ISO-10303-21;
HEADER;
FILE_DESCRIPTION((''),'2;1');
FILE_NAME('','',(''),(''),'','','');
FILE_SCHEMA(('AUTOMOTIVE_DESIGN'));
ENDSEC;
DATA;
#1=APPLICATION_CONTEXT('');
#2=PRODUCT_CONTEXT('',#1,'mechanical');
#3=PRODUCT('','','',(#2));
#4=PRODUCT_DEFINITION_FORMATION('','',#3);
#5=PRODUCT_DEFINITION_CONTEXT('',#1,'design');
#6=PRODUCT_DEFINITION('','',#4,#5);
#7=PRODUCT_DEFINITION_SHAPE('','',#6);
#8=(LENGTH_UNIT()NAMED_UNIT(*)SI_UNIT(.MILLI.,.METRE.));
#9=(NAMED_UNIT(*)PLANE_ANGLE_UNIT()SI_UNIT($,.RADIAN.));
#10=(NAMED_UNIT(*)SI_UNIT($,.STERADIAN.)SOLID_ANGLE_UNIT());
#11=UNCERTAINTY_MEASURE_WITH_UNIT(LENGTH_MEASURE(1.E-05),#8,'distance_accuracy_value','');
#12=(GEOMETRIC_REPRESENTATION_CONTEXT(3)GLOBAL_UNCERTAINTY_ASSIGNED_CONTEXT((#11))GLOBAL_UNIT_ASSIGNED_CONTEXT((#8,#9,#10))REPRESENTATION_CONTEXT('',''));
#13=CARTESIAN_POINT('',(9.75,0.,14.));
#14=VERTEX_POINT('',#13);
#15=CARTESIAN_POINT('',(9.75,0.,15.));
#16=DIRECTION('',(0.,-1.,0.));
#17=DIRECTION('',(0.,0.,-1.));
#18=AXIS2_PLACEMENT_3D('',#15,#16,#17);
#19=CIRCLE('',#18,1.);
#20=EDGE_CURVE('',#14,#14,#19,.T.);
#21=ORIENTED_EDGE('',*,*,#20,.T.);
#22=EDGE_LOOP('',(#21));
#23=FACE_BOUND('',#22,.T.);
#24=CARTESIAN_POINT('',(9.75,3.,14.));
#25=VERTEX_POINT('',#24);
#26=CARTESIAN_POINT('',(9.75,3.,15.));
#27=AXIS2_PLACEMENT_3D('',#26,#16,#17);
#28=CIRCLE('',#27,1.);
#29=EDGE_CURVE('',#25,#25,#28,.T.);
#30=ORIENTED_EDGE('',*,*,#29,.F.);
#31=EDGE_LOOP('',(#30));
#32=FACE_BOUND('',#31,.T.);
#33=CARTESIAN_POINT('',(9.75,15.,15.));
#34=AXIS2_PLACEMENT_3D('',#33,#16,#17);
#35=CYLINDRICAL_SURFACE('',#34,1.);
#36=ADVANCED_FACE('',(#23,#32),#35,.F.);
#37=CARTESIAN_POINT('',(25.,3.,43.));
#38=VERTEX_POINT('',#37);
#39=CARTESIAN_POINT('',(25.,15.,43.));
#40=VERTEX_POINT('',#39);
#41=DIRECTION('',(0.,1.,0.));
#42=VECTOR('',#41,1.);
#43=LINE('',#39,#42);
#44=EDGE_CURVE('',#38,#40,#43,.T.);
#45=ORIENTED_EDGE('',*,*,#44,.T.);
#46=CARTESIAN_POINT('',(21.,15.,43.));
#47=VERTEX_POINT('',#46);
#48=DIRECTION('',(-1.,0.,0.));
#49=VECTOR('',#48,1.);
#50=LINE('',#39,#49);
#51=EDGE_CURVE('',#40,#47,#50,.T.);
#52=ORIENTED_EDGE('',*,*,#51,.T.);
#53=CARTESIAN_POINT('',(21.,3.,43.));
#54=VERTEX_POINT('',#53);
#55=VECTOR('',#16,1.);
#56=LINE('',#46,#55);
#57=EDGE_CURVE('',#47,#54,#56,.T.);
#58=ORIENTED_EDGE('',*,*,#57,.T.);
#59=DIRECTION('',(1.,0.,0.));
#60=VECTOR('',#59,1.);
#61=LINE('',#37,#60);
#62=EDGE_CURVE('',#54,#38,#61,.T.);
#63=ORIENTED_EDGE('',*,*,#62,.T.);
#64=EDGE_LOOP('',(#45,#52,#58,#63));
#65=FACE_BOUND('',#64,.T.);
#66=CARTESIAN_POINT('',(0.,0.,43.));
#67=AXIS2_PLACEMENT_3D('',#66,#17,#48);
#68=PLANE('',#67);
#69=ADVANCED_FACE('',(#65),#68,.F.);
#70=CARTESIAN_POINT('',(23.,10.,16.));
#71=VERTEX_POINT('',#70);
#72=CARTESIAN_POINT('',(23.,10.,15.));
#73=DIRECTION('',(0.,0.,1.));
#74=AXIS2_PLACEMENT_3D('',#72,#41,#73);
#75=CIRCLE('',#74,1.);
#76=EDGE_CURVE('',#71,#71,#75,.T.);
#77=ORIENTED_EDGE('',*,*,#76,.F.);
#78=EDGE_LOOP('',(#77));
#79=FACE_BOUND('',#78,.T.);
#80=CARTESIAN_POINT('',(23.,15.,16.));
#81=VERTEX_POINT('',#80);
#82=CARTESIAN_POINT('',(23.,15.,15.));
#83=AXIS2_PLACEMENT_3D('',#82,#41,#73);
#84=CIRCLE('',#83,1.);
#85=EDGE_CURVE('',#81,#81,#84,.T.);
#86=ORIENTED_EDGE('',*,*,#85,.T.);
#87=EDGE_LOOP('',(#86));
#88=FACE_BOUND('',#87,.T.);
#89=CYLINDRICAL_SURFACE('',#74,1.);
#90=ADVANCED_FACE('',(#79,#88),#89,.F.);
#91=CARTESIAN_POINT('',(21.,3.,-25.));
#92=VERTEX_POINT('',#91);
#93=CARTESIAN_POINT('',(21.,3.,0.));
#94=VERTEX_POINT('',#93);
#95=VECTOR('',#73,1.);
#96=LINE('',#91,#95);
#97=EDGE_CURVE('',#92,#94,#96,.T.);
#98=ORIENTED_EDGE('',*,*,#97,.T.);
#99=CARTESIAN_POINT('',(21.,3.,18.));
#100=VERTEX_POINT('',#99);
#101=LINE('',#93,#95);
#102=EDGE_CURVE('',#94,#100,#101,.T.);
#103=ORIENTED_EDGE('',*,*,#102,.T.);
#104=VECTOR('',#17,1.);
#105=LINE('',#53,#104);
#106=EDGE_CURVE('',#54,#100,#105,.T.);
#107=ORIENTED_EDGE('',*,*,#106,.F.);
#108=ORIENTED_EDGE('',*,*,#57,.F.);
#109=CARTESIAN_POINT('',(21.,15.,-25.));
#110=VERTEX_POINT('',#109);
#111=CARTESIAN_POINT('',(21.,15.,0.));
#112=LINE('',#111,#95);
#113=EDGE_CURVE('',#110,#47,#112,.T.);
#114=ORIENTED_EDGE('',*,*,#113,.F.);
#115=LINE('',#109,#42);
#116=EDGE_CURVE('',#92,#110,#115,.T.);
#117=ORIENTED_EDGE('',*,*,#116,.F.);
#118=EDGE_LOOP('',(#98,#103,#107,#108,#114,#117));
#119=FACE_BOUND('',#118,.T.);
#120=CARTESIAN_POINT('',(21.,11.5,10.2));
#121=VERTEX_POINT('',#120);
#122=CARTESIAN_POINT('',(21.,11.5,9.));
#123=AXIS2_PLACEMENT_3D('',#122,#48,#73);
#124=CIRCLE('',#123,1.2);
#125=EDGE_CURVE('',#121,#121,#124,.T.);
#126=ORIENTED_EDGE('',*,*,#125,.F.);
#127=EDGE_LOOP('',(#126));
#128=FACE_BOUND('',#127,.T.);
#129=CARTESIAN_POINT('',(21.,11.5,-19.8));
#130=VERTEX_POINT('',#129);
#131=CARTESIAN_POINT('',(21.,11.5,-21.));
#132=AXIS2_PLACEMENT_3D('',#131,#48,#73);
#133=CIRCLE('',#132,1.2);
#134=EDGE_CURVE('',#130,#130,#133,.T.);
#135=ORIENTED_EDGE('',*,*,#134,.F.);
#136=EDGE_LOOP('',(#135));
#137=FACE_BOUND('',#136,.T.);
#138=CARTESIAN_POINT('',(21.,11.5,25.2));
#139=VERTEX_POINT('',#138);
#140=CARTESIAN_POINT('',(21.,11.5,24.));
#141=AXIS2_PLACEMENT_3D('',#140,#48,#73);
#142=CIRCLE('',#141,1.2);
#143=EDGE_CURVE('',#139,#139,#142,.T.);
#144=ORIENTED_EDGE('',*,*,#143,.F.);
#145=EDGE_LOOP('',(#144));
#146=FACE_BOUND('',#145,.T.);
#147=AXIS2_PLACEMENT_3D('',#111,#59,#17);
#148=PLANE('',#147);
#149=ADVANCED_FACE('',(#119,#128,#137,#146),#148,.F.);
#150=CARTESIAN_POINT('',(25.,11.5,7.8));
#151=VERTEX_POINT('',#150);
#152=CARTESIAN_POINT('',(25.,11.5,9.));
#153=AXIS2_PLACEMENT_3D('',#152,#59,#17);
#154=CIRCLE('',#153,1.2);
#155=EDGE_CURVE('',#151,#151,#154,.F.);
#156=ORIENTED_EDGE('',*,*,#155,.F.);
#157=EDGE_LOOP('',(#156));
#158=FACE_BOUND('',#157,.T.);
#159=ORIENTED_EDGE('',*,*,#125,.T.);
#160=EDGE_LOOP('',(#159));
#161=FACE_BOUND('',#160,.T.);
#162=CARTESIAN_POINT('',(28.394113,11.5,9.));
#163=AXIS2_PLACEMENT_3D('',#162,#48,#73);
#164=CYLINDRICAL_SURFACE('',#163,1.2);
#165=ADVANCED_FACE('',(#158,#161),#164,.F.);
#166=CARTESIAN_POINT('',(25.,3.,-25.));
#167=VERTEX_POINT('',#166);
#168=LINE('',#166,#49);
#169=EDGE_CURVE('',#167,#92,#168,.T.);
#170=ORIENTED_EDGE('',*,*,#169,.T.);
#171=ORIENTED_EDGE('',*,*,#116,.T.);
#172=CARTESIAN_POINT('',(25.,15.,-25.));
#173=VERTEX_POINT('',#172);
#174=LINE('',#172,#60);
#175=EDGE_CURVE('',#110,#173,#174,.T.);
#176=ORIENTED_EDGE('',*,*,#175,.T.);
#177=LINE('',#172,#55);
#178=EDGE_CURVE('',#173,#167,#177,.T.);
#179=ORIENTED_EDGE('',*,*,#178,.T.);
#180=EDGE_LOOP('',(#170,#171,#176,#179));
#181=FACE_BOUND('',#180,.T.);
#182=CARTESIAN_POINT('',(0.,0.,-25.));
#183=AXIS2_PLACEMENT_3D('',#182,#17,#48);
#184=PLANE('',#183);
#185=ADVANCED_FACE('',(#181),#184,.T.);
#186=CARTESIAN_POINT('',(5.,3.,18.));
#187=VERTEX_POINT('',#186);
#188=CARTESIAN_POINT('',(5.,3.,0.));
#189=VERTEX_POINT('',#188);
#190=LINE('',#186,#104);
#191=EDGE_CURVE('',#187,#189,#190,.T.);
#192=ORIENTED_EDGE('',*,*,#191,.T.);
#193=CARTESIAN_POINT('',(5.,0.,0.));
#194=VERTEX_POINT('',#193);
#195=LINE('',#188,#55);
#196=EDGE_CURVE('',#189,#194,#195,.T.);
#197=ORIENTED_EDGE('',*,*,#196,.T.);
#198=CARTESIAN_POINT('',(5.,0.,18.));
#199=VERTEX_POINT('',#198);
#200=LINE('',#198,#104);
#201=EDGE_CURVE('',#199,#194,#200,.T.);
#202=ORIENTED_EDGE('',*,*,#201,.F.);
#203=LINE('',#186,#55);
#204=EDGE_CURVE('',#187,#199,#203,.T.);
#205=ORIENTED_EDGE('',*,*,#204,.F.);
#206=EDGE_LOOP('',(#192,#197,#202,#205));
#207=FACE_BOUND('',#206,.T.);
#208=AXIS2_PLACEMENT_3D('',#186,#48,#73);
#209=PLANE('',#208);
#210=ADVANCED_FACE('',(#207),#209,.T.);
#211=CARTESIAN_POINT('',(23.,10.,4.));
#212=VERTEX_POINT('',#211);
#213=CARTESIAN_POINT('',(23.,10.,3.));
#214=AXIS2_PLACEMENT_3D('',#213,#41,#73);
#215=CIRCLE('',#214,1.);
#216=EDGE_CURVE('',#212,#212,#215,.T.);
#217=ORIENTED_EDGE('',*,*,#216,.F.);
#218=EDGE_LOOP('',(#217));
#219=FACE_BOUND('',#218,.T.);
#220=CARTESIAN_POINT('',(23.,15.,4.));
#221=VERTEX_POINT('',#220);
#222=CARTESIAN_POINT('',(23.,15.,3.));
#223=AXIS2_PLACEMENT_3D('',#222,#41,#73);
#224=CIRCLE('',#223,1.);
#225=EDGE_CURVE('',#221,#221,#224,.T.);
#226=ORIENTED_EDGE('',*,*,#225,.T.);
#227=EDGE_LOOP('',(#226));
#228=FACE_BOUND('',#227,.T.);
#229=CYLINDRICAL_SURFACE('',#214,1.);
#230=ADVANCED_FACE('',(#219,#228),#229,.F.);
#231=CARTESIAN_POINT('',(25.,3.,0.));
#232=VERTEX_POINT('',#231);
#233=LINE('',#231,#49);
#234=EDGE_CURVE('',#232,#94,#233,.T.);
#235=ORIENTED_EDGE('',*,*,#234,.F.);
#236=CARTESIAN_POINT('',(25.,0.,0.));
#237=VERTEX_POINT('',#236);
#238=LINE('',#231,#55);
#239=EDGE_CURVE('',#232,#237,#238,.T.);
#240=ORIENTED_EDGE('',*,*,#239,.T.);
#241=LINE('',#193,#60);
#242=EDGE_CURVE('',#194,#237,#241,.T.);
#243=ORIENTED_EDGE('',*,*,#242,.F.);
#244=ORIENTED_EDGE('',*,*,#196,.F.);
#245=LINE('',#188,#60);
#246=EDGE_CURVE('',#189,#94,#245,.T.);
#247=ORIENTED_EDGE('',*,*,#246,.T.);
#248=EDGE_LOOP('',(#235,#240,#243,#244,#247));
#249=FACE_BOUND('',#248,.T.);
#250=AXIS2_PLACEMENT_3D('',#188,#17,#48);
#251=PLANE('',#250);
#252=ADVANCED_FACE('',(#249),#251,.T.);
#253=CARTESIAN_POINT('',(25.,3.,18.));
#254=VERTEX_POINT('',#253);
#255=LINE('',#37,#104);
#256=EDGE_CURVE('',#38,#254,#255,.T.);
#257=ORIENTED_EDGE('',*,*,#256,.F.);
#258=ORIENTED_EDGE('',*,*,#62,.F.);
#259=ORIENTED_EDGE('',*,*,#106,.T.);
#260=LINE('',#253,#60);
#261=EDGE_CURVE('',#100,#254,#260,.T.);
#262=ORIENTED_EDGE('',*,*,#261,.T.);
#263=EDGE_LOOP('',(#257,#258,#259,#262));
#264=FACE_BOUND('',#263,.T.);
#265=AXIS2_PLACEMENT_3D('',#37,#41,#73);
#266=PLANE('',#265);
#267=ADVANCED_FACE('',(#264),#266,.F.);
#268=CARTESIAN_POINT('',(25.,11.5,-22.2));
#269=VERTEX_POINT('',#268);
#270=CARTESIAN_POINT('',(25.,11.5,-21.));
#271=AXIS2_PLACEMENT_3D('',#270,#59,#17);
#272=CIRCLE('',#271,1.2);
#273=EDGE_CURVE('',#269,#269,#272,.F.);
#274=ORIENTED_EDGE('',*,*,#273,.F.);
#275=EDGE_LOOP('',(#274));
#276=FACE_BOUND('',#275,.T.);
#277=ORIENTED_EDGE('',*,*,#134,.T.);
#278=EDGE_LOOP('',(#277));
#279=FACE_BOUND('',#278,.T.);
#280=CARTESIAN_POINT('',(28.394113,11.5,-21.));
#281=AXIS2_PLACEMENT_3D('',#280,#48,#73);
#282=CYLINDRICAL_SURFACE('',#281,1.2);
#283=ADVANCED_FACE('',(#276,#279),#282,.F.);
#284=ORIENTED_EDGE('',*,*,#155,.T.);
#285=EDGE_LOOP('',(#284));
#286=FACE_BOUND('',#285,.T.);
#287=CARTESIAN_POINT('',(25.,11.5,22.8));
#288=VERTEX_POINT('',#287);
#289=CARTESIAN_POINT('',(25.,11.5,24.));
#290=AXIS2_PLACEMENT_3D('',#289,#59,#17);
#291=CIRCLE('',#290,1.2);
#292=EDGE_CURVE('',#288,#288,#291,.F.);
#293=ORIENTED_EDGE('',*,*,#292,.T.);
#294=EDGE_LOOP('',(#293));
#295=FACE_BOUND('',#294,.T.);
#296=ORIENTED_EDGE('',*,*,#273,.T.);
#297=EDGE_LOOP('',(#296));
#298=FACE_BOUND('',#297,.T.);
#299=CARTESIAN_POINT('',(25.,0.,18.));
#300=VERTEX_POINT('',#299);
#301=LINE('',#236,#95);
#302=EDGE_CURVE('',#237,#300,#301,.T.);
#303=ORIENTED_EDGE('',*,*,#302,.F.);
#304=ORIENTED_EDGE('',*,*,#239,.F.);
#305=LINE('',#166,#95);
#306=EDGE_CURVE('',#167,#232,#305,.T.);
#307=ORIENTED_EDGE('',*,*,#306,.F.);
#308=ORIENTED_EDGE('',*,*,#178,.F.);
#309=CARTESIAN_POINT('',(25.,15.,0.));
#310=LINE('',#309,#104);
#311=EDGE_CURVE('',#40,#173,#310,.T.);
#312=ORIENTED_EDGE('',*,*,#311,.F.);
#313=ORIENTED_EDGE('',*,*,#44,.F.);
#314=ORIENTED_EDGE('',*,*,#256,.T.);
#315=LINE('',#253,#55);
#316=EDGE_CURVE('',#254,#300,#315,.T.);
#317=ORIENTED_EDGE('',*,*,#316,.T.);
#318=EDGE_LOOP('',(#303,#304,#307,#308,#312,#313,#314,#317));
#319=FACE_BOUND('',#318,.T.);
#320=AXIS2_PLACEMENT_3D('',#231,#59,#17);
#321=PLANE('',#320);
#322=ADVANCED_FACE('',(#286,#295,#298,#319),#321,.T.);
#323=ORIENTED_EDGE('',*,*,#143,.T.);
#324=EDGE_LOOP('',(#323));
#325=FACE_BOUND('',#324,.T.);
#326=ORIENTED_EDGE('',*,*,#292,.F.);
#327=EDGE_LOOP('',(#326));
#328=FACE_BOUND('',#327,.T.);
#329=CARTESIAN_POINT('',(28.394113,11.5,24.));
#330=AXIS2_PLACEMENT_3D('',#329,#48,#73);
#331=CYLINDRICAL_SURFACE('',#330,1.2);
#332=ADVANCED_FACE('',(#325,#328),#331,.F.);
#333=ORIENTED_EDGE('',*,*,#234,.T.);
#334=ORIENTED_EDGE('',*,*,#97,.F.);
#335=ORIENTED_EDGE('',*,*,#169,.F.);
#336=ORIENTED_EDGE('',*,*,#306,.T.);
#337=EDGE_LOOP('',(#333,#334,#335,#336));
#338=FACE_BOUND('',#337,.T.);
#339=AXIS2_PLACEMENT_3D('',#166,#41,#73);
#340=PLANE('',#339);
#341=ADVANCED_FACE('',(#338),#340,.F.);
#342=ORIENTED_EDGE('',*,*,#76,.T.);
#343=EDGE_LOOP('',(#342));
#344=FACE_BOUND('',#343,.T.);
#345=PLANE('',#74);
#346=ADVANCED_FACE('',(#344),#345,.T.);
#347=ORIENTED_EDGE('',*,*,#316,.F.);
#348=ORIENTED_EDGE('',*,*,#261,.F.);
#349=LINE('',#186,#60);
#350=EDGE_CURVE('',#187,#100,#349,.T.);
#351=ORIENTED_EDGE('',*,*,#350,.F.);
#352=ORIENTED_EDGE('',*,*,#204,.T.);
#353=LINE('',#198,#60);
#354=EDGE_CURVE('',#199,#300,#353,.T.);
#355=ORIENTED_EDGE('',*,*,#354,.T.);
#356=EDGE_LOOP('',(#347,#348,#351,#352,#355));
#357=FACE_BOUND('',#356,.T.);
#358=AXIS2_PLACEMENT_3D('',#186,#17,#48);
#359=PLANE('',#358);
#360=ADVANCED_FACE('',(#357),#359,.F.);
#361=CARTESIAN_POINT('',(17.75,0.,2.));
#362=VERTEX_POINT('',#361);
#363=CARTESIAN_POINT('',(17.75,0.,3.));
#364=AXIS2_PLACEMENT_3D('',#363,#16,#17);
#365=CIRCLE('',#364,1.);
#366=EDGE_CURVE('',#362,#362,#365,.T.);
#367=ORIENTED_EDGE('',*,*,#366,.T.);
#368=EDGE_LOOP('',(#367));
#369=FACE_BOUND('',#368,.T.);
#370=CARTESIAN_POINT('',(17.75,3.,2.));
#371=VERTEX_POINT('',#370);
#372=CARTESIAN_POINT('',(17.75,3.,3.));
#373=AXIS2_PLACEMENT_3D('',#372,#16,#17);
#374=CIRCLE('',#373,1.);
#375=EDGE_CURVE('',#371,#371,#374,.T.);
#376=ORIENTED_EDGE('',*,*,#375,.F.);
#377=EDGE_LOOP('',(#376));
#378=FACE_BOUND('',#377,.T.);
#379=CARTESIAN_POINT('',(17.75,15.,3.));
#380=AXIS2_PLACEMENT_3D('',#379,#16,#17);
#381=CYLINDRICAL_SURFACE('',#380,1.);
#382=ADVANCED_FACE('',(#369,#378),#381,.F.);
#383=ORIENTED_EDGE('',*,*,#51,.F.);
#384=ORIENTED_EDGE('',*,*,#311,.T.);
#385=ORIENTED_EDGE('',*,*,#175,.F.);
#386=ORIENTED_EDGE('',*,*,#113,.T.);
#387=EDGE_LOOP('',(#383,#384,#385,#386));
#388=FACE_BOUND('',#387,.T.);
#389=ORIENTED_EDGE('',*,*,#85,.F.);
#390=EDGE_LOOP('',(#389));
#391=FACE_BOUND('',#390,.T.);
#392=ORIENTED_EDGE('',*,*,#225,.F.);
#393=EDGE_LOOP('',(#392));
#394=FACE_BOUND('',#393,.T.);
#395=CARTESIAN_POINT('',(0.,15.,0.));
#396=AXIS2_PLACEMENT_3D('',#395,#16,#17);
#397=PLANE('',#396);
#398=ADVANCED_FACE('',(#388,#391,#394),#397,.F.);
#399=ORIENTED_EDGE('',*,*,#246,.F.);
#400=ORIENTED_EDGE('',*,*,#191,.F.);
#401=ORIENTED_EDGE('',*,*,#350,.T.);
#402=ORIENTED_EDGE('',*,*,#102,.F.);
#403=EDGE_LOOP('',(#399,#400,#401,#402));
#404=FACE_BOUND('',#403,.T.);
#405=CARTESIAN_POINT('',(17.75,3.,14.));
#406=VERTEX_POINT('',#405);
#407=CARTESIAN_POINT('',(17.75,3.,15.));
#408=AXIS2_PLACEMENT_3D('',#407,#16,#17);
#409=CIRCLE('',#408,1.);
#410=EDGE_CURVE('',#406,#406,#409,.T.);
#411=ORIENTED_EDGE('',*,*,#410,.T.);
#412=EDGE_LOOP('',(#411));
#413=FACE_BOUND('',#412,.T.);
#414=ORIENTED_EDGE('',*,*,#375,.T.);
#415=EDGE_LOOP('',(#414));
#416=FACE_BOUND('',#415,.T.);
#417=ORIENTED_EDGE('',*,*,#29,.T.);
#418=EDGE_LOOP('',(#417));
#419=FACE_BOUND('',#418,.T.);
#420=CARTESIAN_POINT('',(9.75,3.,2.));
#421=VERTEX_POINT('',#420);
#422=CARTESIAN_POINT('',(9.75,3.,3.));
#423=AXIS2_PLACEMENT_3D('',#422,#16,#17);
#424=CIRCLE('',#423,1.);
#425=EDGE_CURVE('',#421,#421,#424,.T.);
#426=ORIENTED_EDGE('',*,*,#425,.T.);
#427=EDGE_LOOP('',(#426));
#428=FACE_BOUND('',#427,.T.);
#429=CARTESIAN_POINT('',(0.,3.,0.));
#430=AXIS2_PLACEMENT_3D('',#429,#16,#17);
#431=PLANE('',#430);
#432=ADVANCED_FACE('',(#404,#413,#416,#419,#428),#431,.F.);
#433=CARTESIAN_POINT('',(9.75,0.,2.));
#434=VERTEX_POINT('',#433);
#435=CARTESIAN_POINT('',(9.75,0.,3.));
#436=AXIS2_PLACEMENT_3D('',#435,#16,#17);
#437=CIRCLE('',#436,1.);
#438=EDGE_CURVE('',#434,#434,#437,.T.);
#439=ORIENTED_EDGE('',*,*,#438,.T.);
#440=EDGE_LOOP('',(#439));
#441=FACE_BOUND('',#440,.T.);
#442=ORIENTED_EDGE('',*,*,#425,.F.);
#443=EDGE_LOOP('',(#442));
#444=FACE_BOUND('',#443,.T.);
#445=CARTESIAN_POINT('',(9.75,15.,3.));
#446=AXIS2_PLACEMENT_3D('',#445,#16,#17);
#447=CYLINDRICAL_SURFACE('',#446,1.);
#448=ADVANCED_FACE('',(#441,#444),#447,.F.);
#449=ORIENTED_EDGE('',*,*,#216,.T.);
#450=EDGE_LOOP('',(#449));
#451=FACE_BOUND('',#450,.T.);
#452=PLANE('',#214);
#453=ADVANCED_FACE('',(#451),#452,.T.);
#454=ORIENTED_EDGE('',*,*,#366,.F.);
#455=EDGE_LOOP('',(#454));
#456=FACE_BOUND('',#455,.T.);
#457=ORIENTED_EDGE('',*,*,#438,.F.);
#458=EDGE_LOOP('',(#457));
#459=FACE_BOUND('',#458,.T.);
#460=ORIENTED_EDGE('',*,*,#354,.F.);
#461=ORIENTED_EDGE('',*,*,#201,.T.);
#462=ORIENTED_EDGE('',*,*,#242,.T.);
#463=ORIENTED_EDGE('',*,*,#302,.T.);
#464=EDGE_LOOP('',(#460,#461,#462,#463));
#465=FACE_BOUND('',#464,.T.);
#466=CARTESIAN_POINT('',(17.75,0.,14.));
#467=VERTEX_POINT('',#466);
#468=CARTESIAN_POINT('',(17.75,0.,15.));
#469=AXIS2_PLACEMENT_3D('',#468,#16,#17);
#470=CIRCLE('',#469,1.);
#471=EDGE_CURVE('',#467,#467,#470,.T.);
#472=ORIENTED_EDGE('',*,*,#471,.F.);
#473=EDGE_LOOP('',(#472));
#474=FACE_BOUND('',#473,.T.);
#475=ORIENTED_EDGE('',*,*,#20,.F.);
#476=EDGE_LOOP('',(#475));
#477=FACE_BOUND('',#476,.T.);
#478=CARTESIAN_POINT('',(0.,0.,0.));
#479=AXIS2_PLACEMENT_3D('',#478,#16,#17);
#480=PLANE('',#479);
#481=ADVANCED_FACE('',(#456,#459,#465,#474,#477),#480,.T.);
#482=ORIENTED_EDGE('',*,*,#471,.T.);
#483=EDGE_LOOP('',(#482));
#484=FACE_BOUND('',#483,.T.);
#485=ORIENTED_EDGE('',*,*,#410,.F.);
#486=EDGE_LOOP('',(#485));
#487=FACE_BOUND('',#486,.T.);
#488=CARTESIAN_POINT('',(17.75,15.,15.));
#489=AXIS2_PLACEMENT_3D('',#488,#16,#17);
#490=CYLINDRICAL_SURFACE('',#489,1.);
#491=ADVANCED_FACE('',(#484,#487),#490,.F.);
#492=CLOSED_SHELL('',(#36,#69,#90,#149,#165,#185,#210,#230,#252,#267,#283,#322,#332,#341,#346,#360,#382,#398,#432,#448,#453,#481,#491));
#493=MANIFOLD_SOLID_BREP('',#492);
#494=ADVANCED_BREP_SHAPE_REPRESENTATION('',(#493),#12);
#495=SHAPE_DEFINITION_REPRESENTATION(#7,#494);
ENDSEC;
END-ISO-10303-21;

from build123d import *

# Parameters (mm, degrees)
SKETCH_1_W          = 20
SKETCH_1_H          = 18
EXTRUDE_1_DEPTH     = 3
SKETCH_2_W          = 4
SKETCH_2_H          = 18
EXTRUDE_2_DEPTH     = 12
SKETCH_4_R          = 1
CUT_EXTRUDE_1_DEPTH = 35.263683398
SKETCH_5_R          = 1
CUT_EXTRUDE_2_DEPTH = 5
SKETCH_6_W          = 4
SKETCH_6_H          = 12
EXTRUDE_3_DEPTH     = 25
SKETCH_7_W          = 4
SKETCH_7_H          = 12
EXTRUDE_4_DEPTH     = 25
SKETCH_8_R          = 1.2
CUT_EXTRUDE_3_DEPTH = 4


with BuildPart() as part:
    # 草图1 → 凸台-拉伸1 (new body)
    with BuildSketch(Plane(origin=(0, 0, 0), x_dir=(1, 0, 0), z_dir=(0, 1, 0))):
        with Locations((15, -9)):
            Rectangle(SKETCH_1_W, SKETCH_1_H)
    extrude(amount=EXTRUDE_1_DEPTH)

    # 草图2 → 凸台-拉伸2 (add)
    with BuildSketch(Plane(origin=(0, 3, 0), x_dir=(1, 0, 0), z_dir=(0, 1, 0))):
        with Locations((23, -9)):
            Rectangle(SKETCH_2_W, SKETCH_2_H)
    extrude(amount=EXTRUDE_2_DEPTH)

    # 草图4 → 切除-拉伸1 (cut, through all)
    with BuildSketch(Plane.XZ):
        with Locations(Location((17.75, 15, 0), (0, 0, 270))):
            Circle(SKETCH_4_R)
        with Locations(Location((17.75, 3, 0), (0, 0, 270))):
            Circle(SKETCH_4_R)
        with Locations(Location((9.75, 3, 0), (0, 0, 270))):
            Circle(SKETCH_4_R)
        with Locations(Location((9.75, 15, 0), (0, 0, 270))):
            Circle(SKETCH_4_R)
    extrude(amount=-CUT_EXTRUDE_1_DEPTH, mode=Mode.SUBTRACT)

    # 草图5 → 切除-拉伸2 (cut)
    with BuildSketch(Plane(origin=(0, 15, 0), x_dir=(1, 0, 0), z_dir=(0, 1, 0))):
        with Locations(Location((23, -15, 0), (0, 0, 270))):
            Circle(SKETCH_5_R)
        with Locations(Location((23, -3, 0), (0, 0, 270))):
            Circle(SKETCH_5_R)
    extrude(amount=-CUT_EXTRUDE_2_DEPTH, mode=Mode.SUBTRACT)

    # 草图6 → 凸台-拉伸3 (add)
    with BuildSketch(Plane.XY.offset(18)):
        with Locations((23, 9)):
            Rectangle(SKETCH_6_W, SKETCH_6_H)
    extrude(amount=EXTRUDE_3_DEPTH)

    # 草图7 → 凸台-拉伸4 (add)
    with BuildSketch(Plane(origin=(0, 0, 0), x_dir=(-1, 0, 0), z_dir=(0, 0, -1))):
        with Locations((-23, 9)):
            Rectangle(SKETCH_7_W, SKETCH_7_H)
    extrude(amount=EXTRUDE_4_DEPTH)

    # 草图8 → 切除-拉伸3 (cut)
    with BuildSketch(Plane.ZY.offset(-21)):
        with Locations((-36, 11.5)):
            Circle(SKETCH_8_R)
        with Locations((-21, 11.5)):
            Circle(SKETCH_8_R)
        with Locations((9, 11.5)):
            Circle(SKETCH_8_R)
        with Locations((24, 11.5)):
            Circle(SKETCH_8_R)
    extrude(amount=-CUT_EXTRUDE_3_DEPTH, mode=Mode.SUBTRACT)


solid = part.part
